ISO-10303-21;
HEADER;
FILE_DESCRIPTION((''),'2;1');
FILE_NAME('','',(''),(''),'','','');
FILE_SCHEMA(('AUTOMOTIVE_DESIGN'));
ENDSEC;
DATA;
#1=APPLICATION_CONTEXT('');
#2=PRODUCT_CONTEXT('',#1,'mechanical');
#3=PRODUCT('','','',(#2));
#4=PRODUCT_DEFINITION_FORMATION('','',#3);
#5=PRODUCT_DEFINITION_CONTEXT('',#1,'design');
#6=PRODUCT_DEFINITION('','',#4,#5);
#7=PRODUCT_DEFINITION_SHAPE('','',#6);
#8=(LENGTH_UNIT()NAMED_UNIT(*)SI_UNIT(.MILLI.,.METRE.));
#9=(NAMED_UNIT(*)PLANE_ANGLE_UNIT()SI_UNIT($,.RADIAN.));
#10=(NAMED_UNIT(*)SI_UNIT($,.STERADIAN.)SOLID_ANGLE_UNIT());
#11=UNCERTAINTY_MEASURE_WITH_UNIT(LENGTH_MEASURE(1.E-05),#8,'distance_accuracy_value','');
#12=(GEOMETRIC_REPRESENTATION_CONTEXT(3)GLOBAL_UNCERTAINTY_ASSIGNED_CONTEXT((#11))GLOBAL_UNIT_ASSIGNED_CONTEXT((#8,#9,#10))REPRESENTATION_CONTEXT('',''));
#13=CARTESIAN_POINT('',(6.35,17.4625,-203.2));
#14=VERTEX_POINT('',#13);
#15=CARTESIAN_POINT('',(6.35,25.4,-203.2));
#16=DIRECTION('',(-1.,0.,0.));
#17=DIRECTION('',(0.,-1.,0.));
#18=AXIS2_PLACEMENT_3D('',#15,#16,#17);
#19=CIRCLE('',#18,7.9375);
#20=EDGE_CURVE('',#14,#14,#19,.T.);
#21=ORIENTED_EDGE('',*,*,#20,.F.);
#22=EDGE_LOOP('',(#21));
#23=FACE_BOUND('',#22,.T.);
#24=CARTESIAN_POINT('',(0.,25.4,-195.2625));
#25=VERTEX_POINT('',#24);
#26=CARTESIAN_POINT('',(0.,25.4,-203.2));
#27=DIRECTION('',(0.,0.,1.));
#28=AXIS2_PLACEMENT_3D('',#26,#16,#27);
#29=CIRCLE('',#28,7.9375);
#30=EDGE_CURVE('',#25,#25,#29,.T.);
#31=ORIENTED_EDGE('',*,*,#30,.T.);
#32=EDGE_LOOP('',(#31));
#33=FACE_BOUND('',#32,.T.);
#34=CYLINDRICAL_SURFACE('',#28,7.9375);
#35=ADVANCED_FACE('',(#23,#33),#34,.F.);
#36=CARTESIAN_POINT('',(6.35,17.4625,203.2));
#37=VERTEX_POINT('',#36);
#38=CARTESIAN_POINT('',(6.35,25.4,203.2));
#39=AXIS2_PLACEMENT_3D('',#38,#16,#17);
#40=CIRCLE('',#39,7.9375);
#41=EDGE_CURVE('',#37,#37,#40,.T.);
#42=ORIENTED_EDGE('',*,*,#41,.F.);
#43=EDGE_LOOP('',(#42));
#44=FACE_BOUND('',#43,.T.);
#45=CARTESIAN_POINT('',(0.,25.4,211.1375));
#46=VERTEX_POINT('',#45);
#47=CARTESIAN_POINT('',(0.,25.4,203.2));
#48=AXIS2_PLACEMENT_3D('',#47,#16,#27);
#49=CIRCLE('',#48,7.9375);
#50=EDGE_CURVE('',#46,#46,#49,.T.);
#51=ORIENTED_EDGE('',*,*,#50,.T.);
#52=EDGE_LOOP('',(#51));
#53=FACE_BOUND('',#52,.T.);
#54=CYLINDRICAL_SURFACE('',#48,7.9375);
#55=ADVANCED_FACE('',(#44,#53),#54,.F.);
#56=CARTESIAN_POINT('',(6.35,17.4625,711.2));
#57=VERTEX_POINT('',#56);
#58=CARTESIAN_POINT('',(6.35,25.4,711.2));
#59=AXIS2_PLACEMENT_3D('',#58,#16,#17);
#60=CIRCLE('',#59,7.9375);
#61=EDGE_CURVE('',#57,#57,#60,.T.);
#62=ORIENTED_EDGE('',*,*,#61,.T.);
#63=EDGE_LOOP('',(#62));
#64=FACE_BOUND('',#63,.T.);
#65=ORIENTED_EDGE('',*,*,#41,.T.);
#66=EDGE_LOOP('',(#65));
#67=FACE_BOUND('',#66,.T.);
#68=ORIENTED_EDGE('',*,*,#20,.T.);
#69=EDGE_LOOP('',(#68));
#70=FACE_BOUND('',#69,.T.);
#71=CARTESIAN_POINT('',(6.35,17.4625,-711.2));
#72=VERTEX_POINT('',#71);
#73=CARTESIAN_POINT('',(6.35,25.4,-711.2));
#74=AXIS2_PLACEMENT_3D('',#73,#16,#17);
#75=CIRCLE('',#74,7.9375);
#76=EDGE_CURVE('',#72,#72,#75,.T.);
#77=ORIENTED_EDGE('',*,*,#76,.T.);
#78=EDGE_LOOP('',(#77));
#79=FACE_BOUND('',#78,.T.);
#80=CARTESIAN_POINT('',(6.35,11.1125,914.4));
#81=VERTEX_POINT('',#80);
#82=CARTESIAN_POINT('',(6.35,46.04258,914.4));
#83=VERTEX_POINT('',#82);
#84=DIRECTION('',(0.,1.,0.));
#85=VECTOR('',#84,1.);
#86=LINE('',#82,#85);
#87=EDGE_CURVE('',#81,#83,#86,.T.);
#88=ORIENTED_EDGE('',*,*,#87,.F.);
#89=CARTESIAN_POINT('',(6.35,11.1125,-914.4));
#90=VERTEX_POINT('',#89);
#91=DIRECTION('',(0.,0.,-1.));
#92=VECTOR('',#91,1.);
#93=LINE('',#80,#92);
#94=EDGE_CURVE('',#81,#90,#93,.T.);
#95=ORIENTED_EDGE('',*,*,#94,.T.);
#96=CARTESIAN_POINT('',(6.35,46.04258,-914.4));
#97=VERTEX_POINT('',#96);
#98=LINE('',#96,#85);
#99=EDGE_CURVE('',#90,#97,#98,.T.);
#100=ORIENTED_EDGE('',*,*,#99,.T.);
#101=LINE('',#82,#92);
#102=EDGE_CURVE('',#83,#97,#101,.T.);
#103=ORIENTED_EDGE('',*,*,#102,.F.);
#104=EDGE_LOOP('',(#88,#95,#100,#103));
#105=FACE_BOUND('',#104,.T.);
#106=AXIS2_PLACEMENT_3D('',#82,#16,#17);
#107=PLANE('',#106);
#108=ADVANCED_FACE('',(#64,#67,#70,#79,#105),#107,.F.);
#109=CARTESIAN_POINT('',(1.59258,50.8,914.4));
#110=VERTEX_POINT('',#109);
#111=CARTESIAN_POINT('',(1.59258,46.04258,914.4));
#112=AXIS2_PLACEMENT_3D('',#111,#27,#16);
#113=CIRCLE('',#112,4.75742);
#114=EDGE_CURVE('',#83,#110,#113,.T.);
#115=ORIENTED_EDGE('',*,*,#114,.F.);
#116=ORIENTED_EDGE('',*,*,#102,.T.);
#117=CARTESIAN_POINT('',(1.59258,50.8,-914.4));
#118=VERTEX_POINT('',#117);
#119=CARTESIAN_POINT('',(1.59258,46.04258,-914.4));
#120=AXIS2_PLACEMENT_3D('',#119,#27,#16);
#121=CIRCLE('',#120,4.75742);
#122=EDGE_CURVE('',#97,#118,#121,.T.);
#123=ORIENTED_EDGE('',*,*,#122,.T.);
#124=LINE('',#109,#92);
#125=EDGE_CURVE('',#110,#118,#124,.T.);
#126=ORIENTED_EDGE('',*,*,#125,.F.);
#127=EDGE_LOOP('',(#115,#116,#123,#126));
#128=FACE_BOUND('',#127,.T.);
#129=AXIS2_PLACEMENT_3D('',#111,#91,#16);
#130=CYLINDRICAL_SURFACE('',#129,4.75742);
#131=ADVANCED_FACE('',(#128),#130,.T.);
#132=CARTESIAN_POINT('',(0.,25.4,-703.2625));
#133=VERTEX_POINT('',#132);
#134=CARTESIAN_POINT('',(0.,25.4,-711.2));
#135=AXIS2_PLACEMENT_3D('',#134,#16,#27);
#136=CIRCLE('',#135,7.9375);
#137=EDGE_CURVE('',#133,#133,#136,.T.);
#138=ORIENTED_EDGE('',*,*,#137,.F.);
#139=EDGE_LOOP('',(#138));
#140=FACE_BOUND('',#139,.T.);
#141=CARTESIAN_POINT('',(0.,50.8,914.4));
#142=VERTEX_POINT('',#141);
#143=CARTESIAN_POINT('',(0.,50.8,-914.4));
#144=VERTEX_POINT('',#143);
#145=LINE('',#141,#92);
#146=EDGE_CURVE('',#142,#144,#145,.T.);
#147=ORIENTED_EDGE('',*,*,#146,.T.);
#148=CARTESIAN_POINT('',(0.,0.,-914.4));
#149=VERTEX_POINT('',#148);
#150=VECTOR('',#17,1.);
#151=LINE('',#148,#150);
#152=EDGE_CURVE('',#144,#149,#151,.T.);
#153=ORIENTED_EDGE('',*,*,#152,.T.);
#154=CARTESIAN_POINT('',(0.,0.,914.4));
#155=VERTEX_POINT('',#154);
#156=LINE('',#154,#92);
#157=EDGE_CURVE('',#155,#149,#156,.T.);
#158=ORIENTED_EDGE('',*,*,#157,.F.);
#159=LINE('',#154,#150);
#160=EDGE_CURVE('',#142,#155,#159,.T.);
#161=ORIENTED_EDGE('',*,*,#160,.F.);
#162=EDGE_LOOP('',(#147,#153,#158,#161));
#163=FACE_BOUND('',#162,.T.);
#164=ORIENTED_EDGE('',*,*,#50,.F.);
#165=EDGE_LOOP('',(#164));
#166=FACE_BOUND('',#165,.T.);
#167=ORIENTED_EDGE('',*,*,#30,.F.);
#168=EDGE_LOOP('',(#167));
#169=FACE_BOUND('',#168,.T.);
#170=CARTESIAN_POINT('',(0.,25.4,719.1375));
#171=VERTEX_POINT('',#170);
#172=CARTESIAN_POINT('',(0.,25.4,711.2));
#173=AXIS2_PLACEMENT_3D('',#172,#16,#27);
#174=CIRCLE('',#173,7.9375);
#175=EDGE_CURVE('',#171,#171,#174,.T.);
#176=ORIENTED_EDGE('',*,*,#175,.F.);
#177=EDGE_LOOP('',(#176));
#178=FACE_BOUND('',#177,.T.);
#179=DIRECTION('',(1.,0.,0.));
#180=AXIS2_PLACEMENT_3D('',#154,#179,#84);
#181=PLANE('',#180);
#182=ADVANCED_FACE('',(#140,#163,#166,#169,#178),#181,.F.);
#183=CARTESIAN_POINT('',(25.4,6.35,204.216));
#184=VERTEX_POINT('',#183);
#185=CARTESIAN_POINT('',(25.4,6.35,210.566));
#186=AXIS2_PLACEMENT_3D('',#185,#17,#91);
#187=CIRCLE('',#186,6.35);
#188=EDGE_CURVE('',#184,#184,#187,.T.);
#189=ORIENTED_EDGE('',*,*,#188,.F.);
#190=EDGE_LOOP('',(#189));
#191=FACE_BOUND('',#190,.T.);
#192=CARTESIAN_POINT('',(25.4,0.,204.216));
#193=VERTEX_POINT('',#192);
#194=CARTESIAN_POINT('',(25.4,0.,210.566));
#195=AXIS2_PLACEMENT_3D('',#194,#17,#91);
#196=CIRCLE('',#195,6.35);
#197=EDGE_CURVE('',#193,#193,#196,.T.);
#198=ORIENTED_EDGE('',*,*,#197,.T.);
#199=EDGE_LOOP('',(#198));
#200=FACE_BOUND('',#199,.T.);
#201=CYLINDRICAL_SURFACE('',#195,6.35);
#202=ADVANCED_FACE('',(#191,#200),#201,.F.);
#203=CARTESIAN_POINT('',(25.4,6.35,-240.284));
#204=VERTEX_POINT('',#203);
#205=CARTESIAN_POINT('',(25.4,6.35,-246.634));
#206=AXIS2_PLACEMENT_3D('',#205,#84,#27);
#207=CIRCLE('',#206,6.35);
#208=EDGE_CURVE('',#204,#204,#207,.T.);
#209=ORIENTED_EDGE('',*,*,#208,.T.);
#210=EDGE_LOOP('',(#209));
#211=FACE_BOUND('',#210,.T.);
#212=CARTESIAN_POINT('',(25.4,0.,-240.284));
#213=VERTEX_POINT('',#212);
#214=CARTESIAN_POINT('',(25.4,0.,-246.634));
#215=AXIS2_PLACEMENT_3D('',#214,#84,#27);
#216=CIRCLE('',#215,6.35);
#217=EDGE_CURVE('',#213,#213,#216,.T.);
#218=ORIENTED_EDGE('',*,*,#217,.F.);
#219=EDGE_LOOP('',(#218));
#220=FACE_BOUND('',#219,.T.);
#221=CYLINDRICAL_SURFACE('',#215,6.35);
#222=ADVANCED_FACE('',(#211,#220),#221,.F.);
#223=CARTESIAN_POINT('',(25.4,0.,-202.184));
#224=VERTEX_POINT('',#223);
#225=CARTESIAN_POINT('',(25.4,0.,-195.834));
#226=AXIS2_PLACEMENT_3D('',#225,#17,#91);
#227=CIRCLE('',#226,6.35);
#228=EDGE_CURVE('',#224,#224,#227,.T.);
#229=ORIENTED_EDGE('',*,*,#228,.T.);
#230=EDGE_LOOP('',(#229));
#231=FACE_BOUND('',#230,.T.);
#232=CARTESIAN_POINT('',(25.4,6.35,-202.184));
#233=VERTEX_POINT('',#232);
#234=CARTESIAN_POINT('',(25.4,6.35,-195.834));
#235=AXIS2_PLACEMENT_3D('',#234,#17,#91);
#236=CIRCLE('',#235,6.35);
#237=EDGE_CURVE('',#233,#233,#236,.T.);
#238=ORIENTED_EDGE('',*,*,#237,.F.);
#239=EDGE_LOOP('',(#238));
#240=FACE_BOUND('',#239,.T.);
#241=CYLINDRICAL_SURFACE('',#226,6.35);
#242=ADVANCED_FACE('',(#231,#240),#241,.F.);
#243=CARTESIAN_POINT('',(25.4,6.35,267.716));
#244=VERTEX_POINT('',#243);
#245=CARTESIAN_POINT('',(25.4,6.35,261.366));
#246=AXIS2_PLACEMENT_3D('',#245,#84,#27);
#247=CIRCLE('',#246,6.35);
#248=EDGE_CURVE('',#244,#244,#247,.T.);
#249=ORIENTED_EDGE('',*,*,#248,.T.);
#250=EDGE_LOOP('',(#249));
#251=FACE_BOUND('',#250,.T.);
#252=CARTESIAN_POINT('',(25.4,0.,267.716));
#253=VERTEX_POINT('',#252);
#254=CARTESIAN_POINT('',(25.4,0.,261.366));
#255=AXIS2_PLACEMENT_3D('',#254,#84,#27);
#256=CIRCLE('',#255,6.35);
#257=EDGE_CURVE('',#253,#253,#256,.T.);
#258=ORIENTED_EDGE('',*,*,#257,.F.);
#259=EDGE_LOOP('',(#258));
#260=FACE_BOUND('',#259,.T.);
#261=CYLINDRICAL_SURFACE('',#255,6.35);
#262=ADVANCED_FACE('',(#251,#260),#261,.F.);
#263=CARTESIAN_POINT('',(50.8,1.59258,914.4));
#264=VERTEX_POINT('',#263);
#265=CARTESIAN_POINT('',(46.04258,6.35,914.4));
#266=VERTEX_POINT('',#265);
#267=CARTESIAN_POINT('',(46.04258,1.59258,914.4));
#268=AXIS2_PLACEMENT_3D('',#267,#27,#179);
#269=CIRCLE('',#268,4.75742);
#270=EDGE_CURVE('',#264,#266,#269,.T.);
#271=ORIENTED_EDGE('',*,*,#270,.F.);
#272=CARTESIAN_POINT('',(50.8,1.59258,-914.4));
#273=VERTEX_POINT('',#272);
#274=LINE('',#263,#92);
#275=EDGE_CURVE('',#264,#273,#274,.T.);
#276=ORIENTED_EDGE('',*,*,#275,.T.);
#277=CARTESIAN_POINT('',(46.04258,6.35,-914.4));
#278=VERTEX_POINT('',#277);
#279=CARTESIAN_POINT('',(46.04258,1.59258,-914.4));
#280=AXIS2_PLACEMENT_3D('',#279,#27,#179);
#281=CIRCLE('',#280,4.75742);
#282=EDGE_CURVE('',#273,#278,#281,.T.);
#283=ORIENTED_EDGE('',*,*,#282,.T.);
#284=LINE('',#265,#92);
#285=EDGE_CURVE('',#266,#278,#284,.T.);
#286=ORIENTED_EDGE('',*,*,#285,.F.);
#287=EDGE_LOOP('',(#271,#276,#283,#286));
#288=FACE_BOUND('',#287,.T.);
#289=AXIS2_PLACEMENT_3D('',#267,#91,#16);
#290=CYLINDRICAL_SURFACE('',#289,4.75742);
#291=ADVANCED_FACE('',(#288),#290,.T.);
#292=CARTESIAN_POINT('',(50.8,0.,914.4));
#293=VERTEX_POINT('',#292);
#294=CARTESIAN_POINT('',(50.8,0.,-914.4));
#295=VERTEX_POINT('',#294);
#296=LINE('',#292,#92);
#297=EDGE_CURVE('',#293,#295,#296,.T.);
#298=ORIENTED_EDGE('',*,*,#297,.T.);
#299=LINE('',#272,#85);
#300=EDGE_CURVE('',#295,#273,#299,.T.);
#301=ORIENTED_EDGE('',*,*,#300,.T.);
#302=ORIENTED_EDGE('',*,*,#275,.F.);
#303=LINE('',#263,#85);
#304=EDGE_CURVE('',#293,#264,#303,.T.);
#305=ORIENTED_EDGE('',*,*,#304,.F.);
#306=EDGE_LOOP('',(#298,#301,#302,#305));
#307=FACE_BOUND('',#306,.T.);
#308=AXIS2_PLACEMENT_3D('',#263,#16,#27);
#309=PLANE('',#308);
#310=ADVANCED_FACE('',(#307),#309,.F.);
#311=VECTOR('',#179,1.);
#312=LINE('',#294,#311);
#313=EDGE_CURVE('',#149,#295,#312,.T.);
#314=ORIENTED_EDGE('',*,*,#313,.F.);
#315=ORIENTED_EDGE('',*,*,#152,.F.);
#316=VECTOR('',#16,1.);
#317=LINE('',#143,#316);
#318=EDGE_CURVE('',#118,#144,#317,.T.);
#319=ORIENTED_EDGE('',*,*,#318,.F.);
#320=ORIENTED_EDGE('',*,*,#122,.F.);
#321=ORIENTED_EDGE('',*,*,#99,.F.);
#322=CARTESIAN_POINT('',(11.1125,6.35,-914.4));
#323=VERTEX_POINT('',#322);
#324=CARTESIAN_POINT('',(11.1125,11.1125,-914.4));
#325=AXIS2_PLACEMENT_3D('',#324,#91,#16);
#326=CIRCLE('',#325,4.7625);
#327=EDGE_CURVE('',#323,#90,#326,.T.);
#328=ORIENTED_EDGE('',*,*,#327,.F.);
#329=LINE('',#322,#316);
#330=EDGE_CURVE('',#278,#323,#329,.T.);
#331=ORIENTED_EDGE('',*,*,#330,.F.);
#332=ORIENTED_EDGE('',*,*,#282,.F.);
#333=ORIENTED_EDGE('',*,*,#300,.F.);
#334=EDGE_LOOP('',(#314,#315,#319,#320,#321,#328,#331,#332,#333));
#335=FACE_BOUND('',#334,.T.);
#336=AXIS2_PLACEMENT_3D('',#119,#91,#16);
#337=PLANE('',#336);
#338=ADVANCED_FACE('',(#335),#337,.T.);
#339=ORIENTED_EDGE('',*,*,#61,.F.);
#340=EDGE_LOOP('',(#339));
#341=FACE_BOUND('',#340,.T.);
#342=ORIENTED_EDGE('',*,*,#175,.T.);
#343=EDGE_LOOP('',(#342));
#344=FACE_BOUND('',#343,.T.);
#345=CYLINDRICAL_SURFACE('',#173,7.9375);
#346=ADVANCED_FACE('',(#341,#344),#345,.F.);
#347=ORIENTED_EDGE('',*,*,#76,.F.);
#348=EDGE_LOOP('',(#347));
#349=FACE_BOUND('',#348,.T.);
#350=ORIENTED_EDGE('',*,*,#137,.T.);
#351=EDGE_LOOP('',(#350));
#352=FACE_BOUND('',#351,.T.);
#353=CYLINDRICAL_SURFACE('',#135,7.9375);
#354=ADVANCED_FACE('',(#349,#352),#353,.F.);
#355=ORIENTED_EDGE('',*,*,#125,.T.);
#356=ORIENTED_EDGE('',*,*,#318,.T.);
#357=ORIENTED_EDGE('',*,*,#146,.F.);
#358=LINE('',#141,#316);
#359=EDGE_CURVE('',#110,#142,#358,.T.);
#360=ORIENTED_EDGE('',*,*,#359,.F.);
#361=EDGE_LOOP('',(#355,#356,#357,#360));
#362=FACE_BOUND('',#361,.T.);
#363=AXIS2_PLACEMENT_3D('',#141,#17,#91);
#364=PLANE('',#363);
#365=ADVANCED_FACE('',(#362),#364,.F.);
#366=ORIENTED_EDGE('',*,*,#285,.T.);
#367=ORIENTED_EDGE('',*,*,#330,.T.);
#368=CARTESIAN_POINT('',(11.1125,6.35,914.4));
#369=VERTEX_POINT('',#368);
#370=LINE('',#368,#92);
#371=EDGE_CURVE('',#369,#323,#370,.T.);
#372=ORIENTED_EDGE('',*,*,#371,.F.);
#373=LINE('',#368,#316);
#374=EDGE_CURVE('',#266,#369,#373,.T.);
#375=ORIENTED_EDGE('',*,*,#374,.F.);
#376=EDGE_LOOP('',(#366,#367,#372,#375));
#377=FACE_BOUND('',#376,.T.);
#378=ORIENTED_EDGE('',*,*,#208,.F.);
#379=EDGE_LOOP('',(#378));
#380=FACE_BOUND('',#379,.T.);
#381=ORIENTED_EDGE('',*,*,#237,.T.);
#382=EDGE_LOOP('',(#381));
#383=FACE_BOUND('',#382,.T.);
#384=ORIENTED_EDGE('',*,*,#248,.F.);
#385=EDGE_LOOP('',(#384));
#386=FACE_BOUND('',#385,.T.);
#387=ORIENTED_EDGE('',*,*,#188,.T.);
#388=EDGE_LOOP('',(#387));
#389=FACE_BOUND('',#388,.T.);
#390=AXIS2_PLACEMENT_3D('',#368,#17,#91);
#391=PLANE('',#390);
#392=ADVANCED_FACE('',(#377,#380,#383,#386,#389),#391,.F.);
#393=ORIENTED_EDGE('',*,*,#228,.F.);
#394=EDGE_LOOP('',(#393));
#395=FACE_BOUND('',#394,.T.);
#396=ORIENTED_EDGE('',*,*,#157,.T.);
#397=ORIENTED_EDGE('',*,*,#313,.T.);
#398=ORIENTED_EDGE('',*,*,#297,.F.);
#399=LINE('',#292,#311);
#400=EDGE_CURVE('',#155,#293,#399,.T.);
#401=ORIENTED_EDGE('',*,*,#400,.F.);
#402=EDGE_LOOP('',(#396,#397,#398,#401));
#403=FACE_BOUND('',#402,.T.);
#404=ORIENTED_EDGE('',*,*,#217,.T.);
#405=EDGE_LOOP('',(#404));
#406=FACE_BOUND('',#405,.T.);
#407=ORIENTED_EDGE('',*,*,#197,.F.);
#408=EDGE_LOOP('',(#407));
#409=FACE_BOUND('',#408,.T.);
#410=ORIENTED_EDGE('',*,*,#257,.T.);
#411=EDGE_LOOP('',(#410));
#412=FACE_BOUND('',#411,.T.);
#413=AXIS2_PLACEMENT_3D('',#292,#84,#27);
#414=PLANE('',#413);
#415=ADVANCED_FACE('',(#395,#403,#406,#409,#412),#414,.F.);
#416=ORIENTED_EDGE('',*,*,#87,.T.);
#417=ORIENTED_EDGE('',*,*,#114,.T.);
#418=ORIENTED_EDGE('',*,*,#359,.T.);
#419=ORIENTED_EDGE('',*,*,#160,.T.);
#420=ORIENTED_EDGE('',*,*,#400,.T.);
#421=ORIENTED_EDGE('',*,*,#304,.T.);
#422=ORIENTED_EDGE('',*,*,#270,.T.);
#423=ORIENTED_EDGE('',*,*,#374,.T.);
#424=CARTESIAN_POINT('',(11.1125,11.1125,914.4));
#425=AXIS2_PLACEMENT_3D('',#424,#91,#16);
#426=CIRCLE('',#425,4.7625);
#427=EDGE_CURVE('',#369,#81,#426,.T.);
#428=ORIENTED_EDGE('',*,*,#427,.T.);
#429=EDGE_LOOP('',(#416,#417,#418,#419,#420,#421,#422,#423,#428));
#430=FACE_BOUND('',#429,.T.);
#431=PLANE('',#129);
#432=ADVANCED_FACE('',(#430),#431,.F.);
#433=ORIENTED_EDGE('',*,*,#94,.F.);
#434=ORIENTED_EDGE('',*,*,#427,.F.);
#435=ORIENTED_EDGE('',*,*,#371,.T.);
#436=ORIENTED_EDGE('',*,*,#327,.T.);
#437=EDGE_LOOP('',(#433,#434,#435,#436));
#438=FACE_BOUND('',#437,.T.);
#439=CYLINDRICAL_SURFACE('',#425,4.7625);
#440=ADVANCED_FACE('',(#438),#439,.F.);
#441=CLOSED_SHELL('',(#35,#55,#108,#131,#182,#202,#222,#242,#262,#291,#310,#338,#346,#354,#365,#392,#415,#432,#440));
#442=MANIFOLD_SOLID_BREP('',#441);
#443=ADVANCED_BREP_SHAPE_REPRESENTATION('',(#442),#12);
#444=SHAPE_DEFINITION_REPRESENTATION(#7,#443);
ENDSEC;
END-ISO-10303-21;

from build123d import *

# Parameters (mm, degrees)
BOSS_EXTRUDE1_DEPTH                 = 914.4
F_13_16_0_8125_DIAMETER_HOLE1_D     = 12.7
F_13_16_0_8125_DIAMETER_HOLE1_DEPTH = 6.35
F_5_8_0_625_DIAMETER_HOLE1_D        = 15.875
F_5_8_0_625_DIAMETER_HOLE1_DEPTH    = 6.35
SKETCH7_R                           = 6.35
CUT_EXTRUDE1_DEPTH                  = 7.35


with BuildPart() as part:
    # Sketch1 → Boss-Extrude1 (new body, symmetric)
    with BuildSketch(Plane.XY):
        with BuildLine():
            Line((0, 0), (0, 50.8))
            Line((0, 50.8), (1.59258, 50.8))
            ThreePointArc((1.59258, 50.8), (4.956583943, 49.406583943), (6.35, 46.04258))
            Line((6.35, 46.04258), (6.35, 11.1125))
            ThreePointArc((6.35, 11.1125), (7.744903955, 7.744903955), (11.1125, 6.35))
            Line((11.1125, 6.35), (46.04258, 6.35))
            ThreePointArc((46.04258, 6.35), (49.406583943, 4.956583943), (50.8, 1.59258))
            Line((50.8, 1.59258), (50.8, 0))
            Line((50.8, 0), (0, 0))
        make_face()
    extrude(amount=BOSS_EXTRUDE1_DEPTH, both=True)

    # 13/16 (0.8125) Diameter Hole1
    with Locations(Plane.XZ):
        with Locations((25.4, -195.834), (25.4, 210.566)):
            Hole(F_13_16_0_8125_DIAMETER_HOLE1_D / 2, depth=F_13_16_0_8125_DIAMETER_HOLE1_DEPTH)

    # 5/8 (0.625) Diameter Hole1
    with Locations(Plane.ZY):
        with Locations((-711.2, 25.4), (-203.2, 25.4), (203.2, 25.4), (711.2, 25.4)):
            Hole(F_5_8_0_625_DIAMETER_HOLE1_D / 2, depth=F_5_8_0_625_DIAMETER_HOLE1_DEPTH)

    # Sketch7 → Cut-Extrude1 (cut, through all)
    with BuildSketch(Plane(origin=(0, 6.35, 0), x_dir=(1, 0, 0), z_dir=(0, 1, 0))):
        with Locations((25.4, 246.634)):
            Circle(SKETCH7_R)
        with Locations((25.4, -261.366)):
            Circle(SKETCH7_R)
    extrude(amount=-CUT_EXTRUDE1_DEPTH, mode=Mode.SUBTRACT)


solid = part.part
